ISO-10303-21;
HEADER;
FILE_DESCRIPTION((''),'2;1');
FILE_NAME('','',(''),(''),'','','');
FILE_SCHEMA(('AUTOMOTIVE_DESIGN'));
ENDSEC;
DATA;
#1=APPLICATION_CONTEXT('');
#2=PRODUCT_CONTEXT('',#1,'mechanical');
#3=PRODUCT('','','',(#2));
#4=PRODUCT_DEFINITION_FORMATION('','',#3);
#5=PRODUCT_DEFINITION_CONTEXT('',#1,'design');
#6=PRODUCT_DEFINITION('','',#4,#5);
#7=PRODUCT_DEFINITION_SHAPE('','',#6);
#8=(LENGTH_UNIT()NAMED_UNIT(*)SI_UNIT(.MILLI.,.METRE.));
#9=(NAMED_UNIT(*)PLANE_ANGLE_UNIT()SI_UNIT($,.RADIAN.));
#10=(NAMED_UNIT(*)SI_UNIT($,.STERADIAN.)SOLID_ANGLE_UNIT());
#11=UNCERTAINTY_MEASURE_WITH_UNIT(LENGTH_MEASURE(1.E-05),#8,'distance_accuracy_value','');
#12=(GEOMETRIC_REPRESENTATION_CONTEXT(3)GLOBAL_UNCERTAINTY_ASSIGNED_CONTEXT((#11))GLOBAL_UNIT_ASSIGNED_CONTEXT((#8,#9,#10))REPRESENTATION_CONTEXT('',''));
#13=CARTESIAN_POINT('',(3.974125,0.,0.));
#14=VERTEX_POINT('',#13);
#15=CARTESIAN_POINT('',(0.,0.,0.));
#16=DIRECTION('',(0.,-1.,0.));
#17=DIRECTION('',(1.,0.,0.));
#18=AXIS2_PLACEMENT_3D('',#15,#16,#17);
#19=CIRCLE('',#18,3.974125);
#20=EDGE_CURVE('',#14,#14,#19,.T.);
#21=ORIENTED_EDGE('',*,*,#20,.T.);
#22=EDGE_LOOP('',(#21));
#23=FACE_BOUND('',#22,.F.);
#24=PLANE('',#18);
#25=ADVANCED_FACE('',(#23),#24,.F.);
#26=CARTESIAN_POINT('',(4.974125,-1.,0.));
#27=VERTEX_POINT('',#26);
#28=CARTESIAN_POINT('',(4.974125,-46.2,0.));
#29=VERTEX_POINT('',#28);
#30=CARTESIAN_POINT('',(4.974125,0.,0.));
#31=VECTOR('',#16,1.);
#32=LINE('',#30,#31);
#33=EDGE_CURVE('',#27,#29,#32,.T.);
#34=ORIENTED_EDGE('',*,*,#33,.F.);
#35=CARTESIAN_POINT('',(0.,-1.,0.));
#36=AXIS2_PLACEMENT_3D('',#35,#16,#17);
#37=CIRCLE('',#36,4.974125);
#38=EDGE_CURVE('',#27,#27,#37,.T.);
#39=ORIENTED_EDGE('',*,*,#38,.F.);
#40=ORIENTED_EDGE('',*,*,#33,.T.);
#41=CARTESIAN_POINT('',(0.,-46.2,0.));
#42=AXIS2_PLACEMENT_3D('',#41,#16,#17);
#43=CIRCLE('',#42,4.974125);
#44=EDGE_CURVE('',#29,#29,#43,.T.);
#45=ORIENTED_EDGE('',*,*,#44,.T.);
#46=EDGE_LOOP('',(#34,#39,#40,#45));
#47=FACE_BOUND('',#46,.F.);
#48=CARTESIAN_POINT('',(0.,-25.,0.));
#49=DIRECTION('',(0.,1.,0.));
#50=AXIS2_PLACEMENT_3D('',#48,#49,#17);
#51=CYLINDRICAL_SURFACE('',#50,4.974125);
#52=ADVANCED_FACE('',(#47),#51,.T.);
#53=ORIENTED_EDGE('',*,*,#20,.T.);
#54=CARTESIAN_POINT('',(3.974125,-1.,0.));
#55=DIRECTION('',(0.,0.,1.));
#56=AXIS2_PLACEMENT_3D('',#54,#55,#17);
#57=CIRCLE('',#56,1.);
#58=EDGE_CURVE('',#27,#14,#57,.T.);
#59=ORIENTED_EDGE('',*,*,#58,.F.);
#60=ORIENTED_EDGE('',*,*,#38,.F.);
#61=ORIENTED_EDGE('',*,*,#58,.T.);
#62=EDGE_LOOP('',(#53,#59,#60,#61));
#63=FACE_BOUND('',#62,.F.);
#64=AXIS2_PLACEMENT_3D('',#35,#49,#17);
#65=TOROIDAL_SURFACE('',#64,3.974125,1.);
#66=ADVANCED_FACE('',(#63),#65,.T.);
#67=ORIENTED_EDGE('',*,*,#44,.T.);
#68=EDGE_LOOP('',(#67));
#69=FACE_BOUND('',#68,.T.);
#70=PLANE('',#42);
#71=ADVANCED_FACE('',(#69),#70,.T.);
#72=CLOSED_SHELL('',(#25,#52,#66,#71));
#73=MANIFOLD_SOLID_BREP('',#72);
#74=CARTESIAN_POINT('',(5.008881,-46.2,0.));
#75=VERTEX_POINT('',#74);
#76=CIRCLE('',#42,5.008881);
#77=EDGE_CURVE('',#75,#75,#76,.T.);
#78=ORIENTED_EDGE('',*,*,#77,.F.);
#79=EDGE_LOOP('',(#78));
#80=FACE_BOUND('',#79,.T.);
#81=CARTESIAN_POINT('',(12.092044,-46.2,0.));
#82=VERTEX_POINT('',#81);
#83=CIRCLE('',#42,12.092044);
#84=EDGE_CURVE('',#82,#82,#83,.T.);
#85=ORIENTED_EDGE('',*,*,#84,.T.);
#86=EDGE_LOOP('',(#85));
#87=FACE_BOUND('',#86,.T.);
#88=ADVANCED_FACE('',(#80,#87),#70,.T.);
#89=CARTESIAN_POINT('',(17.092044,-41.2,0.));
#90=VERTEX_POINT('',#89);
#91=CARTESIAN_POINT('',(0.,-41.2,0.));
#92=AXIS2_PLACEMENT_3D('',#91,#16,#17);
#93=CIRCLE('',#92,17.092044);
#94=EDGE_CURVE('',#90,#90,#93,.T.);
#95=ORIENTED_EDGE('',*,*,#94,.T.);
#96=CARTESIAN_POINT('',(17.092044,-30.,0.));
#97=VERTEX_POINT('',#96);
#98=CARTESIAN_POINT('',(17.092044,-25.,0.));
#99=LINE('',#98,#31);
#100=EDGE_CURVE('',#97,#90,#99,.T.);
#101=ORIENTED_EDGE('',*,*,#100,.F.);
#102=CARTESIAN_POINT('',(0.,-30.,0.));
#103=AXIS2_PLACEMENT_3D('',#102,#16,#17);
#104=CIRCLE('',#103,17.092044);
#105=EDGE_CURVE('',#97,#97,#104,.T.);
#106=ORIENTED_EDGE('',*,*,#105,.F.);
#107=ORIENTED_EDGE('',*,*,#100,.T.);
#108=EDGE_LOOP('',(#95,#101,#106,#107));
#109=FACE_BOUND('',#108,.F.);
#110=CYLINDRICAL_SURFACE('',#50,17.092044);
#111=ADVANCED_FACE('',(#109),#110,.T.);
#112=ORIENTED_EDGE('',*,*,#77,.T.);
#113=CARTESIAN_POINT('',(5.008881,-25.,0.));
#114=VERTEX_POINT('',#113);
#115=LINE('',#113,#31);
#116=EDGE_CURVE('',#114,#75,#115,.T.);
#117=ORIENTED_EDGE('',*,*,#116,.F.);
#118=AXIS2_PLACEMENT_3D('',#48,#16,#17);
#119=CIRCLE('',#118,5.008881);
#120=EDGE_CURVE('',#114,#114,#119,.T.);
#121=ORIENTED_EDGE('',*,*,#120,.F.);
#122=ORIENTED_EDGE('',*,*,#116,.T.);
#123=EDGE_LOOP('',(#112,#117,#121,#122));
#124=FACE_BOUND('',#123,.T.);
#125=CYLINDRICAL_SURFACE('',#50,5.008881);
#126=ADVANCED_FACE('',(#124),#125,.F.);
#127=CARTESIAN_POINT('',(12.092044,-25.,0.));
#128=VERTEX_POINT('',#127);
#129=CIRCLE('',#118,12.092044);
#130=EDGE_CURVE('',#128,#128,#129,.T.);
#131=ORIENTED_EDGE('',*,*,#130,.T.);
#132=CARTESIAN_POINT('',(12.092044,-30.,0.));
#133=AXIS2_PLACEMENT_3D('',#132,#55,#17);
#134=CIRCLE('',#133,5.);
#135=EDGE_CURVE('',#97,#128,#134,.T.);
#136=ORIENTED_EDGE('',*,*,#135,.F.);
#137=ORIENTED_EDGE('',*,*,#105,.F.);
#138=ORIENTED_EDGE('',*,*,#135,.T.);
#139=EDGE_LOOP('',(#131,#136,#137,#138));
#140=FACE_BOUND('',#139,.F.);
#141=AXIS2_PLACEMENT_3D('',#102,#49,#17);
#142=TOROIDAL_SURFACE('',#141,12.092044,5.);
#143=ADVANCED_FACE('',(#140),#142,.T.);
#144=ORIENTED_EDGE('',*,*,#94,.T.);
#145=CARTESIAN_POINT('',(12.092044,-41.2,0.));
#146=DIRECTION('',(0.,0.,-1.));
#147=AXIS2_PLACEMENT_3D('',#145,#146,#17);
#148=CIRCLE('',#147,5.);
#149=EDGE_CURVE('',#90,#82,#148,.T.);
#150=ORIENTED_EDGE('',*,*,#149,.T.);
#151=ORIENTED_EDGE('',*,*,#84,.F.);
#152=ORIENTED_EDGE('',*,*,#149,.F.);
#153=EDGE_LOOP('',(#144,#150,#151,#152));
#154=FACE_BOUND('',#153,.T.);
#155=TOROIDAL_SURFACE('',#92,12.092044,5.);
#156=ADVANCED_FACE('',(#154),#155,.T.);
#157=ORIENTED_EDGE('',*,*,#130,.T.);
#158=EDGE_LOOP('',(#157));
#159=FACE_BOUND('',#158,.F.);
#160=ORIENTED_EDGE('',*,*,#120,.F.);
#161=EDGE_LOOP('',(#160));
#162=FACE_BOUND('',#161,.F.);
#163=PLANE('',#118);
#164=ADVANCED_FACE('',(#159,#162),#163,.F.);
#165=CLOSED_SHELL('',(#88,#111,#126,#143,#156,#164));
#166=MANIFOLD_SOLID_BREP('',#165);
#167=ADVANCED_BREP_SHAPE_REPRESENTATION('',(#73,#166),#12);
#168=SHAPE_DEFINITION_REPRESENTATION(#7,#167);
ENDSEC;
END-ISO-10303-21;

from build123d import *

# Parameters (mm, degrees)
F0_R     = 4.974125
F1_DEPTH = 25
F2_R     = 17.092044
F2_R_2   = 5.008881
F2_R_3   = 4.974125
F3_DEPTH = 21.2
F4_R     = 5
F5_R     = 5
F6_R     = 1


with BuildPart() as f1:
    # F0 (on Front) → F1 (new body)
    with BuildSketch(Plane.XZ):
        Circle(F0_R)
    extrude(amount=F1_DEPTH)

    # F2 (on face) → F3 (join)
    with BuildSketch(Plane.XZ.offset(25)):
        Circle(F2_R)
        Circle(F2_R_2, mode=Mode.SUBTRACT)
        Circle(F2_R_3)
    extrude(amount=F3_DEPTH)

    # F4
    f4_edges = [f1.edges().sort_by_distance(p)[0] for p in [
        (-17.092044, -46.2, 0),
    ]]
    fillet(f4_edges, radius=F4_R)

    # F5
    f5_edges = [f1.edges().sort_by_distance(p)[0] for p in [
        (-17.092044, -25, 0),
    ]]
    fillet(f5_edges, radius=F5_R)

    # F6
    f6_edges = [f1.edges().sort_by_distance(p)[0] for p in [
        (-4.974125, 0, 0),
    ]]
    fillet(f6_edges, radius=F6_R)


solid = f1.part
